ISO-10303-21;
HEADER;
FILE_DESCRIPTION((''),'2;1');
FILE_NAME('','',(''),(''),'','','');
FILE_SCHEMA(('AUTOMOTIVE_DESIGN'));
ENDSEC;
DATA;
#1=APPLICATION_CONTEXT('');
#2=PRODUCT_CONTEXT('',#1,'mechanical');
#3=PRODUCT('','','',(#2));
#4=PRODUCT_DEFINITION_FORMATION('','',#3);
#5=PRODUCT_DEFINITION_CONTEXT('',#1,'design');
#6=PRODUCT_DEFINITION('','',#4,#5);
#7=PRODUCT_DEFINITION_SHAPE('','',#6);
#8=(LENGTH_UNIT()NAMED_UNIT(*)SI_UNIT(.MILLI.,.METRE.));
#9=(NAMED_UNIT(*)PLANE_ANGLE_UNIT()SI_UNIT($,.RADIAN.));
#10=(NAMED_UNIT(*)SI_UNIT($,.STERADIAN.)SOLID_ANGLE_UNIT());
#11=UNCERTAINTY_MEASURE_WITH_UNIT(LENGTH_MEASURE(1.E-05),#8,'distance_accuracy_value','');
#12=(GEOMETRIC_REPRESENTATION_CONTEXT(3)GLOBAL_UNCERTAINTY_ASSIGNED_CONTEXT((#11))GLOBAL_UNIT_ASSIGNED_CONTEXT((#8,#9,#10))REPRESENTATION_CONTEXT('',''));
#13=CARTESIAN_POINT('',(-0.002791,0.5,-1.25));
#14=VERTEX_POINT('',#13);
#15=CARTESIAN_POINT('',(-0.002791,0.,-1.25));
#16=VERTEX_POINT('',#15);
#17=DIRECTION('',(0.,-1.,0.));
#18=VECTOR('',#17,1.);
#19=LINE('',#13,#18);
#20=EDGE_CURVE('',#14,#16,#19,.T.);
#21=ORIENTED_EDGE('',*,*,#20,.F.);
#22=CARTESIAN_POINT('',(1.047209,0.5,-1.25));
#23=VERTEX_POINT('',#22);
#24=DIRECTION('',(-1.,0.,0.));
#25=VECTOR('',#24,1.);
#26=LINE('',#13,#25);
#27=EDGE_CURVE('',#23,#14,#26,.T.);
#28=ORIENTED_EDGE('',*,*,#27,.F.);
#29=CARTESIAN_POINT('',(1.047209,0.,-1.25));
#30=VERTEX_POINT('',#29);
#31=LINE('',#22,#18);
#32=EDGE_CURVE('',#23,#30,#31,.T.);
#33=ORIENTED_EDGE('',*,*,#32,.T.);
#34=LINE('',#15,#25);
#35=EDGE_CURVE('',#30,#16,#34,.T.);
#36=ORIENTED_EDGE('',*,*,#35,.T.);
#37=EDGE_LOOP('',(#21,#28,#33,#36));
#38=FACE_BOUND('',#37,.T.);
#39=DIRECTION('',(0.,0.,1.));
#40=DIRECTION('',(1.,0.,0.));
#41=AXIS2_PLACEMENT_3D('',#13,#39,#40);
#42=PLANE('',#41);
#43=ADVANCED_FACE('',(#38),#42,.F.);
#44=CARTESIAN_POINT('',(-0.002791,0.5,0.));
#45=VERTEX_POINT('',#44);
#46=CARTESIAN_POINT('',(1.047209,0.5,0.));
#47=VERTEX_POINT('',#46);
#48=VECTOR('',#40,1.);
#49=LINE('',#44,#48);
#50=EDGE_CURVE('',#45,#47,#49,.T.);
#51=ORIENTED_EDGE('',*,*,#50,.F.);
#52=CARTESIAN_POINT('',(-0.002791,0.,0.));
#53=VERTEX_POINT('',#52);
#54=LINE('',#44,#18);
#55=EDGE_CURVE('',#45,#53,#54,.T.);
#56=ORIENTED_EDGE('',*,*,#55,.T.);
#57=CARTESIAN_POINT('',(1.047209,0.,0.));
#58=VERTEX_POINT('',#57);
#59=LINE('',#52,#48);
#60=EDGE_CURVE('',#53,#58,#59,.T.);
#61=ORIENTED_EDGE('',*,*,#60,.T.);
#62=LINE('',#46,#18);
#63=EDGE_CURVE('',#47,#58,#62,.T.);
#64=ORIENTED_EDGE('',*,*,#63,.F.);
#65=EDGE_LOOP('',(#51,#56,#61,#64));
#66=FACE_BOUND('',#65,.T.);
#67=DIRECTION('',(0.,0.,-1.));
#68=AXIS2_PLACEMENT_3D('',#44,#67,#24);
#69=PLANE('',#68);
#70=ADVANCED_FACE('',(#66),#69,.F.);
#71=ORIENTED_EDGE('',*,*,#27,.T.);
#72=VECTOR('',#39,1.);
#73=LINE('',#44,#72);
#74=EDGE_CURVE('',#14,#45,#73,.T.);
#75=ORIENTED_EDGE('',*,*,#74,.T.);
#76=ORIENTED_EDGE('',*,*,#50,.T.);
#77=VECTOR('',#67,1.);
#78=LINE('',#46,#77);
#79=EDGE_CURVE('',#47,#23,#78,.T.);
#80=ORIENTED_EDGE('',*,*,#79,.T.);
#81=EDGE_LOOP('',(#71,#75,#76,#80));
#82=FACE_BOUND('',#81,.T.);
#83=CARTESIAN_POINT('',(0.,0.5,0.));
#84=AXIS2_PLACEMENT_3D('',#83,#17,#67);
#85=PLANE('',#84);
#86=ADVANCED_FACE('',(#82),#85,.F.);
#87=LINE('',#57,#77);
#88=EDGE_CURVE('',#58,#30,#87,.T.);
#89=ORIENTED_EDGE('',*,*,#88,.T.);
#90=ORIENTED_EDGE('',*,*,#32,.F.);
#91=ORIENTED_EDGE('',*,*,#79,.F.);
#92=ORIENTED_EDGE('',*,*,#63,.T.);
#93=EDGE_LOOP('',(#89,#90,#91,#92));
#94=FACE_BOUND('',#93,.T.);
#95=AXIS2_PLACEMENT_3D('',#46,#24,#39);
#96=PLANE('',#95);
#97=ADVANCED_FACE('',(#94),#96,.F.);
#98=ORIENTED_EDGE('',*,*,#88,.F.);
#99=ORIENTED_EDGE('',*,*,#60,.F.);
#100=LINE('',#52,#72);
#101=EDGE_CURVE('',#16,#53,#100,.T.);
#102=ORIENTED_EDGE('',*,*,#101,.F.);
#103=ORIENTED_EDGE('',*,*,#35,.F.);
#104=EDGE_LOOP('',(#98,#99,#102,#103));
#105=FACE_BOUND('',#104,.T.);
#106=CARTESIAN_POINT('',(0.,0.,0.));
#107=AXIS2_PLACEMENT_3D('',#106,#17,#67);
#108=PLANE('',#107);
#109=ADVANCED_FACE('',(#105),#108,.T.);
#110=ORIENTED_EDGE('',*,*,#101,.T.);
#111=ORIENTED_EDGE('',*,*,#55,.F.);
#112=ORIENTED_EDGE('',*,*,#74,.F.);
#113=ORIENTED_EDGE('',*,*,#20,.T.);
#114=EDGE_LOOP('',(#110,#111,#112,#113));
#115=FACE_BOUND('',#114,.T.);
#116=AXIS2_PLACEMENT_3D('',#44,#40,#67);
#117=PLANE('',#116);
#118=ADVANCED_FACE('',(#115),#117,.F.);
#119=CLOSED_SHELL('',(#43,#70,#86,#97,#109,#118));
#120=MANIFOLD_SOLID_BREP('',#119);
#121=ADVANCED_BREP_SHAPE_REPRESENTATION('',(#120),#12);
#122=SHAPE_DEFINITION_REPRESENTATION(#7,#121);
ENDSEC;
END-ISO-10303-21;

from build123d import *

# Parameters (mm, degrees)
SKETCH1_W           = 1.05
SKETCH1_H           = 1.25
BOSS_EXTRUDE1_DEPTH = 0.5


with BuildPart() as part:
    # Sketch1 → Boss-Extrude1 (new body)
    with BuildSketch(Plane(origin=(0, 0, 0), x_dir=(1, 0, 0), z_dir=(0, 1, 0))):
        with Locations((0.52220925, 0.625)):
            Rectangle(SKETCH1_W, SKETCH1_H)
    extrude(amount=BOSS_EXTRUDE1_DEPTH)


solid = part.part
